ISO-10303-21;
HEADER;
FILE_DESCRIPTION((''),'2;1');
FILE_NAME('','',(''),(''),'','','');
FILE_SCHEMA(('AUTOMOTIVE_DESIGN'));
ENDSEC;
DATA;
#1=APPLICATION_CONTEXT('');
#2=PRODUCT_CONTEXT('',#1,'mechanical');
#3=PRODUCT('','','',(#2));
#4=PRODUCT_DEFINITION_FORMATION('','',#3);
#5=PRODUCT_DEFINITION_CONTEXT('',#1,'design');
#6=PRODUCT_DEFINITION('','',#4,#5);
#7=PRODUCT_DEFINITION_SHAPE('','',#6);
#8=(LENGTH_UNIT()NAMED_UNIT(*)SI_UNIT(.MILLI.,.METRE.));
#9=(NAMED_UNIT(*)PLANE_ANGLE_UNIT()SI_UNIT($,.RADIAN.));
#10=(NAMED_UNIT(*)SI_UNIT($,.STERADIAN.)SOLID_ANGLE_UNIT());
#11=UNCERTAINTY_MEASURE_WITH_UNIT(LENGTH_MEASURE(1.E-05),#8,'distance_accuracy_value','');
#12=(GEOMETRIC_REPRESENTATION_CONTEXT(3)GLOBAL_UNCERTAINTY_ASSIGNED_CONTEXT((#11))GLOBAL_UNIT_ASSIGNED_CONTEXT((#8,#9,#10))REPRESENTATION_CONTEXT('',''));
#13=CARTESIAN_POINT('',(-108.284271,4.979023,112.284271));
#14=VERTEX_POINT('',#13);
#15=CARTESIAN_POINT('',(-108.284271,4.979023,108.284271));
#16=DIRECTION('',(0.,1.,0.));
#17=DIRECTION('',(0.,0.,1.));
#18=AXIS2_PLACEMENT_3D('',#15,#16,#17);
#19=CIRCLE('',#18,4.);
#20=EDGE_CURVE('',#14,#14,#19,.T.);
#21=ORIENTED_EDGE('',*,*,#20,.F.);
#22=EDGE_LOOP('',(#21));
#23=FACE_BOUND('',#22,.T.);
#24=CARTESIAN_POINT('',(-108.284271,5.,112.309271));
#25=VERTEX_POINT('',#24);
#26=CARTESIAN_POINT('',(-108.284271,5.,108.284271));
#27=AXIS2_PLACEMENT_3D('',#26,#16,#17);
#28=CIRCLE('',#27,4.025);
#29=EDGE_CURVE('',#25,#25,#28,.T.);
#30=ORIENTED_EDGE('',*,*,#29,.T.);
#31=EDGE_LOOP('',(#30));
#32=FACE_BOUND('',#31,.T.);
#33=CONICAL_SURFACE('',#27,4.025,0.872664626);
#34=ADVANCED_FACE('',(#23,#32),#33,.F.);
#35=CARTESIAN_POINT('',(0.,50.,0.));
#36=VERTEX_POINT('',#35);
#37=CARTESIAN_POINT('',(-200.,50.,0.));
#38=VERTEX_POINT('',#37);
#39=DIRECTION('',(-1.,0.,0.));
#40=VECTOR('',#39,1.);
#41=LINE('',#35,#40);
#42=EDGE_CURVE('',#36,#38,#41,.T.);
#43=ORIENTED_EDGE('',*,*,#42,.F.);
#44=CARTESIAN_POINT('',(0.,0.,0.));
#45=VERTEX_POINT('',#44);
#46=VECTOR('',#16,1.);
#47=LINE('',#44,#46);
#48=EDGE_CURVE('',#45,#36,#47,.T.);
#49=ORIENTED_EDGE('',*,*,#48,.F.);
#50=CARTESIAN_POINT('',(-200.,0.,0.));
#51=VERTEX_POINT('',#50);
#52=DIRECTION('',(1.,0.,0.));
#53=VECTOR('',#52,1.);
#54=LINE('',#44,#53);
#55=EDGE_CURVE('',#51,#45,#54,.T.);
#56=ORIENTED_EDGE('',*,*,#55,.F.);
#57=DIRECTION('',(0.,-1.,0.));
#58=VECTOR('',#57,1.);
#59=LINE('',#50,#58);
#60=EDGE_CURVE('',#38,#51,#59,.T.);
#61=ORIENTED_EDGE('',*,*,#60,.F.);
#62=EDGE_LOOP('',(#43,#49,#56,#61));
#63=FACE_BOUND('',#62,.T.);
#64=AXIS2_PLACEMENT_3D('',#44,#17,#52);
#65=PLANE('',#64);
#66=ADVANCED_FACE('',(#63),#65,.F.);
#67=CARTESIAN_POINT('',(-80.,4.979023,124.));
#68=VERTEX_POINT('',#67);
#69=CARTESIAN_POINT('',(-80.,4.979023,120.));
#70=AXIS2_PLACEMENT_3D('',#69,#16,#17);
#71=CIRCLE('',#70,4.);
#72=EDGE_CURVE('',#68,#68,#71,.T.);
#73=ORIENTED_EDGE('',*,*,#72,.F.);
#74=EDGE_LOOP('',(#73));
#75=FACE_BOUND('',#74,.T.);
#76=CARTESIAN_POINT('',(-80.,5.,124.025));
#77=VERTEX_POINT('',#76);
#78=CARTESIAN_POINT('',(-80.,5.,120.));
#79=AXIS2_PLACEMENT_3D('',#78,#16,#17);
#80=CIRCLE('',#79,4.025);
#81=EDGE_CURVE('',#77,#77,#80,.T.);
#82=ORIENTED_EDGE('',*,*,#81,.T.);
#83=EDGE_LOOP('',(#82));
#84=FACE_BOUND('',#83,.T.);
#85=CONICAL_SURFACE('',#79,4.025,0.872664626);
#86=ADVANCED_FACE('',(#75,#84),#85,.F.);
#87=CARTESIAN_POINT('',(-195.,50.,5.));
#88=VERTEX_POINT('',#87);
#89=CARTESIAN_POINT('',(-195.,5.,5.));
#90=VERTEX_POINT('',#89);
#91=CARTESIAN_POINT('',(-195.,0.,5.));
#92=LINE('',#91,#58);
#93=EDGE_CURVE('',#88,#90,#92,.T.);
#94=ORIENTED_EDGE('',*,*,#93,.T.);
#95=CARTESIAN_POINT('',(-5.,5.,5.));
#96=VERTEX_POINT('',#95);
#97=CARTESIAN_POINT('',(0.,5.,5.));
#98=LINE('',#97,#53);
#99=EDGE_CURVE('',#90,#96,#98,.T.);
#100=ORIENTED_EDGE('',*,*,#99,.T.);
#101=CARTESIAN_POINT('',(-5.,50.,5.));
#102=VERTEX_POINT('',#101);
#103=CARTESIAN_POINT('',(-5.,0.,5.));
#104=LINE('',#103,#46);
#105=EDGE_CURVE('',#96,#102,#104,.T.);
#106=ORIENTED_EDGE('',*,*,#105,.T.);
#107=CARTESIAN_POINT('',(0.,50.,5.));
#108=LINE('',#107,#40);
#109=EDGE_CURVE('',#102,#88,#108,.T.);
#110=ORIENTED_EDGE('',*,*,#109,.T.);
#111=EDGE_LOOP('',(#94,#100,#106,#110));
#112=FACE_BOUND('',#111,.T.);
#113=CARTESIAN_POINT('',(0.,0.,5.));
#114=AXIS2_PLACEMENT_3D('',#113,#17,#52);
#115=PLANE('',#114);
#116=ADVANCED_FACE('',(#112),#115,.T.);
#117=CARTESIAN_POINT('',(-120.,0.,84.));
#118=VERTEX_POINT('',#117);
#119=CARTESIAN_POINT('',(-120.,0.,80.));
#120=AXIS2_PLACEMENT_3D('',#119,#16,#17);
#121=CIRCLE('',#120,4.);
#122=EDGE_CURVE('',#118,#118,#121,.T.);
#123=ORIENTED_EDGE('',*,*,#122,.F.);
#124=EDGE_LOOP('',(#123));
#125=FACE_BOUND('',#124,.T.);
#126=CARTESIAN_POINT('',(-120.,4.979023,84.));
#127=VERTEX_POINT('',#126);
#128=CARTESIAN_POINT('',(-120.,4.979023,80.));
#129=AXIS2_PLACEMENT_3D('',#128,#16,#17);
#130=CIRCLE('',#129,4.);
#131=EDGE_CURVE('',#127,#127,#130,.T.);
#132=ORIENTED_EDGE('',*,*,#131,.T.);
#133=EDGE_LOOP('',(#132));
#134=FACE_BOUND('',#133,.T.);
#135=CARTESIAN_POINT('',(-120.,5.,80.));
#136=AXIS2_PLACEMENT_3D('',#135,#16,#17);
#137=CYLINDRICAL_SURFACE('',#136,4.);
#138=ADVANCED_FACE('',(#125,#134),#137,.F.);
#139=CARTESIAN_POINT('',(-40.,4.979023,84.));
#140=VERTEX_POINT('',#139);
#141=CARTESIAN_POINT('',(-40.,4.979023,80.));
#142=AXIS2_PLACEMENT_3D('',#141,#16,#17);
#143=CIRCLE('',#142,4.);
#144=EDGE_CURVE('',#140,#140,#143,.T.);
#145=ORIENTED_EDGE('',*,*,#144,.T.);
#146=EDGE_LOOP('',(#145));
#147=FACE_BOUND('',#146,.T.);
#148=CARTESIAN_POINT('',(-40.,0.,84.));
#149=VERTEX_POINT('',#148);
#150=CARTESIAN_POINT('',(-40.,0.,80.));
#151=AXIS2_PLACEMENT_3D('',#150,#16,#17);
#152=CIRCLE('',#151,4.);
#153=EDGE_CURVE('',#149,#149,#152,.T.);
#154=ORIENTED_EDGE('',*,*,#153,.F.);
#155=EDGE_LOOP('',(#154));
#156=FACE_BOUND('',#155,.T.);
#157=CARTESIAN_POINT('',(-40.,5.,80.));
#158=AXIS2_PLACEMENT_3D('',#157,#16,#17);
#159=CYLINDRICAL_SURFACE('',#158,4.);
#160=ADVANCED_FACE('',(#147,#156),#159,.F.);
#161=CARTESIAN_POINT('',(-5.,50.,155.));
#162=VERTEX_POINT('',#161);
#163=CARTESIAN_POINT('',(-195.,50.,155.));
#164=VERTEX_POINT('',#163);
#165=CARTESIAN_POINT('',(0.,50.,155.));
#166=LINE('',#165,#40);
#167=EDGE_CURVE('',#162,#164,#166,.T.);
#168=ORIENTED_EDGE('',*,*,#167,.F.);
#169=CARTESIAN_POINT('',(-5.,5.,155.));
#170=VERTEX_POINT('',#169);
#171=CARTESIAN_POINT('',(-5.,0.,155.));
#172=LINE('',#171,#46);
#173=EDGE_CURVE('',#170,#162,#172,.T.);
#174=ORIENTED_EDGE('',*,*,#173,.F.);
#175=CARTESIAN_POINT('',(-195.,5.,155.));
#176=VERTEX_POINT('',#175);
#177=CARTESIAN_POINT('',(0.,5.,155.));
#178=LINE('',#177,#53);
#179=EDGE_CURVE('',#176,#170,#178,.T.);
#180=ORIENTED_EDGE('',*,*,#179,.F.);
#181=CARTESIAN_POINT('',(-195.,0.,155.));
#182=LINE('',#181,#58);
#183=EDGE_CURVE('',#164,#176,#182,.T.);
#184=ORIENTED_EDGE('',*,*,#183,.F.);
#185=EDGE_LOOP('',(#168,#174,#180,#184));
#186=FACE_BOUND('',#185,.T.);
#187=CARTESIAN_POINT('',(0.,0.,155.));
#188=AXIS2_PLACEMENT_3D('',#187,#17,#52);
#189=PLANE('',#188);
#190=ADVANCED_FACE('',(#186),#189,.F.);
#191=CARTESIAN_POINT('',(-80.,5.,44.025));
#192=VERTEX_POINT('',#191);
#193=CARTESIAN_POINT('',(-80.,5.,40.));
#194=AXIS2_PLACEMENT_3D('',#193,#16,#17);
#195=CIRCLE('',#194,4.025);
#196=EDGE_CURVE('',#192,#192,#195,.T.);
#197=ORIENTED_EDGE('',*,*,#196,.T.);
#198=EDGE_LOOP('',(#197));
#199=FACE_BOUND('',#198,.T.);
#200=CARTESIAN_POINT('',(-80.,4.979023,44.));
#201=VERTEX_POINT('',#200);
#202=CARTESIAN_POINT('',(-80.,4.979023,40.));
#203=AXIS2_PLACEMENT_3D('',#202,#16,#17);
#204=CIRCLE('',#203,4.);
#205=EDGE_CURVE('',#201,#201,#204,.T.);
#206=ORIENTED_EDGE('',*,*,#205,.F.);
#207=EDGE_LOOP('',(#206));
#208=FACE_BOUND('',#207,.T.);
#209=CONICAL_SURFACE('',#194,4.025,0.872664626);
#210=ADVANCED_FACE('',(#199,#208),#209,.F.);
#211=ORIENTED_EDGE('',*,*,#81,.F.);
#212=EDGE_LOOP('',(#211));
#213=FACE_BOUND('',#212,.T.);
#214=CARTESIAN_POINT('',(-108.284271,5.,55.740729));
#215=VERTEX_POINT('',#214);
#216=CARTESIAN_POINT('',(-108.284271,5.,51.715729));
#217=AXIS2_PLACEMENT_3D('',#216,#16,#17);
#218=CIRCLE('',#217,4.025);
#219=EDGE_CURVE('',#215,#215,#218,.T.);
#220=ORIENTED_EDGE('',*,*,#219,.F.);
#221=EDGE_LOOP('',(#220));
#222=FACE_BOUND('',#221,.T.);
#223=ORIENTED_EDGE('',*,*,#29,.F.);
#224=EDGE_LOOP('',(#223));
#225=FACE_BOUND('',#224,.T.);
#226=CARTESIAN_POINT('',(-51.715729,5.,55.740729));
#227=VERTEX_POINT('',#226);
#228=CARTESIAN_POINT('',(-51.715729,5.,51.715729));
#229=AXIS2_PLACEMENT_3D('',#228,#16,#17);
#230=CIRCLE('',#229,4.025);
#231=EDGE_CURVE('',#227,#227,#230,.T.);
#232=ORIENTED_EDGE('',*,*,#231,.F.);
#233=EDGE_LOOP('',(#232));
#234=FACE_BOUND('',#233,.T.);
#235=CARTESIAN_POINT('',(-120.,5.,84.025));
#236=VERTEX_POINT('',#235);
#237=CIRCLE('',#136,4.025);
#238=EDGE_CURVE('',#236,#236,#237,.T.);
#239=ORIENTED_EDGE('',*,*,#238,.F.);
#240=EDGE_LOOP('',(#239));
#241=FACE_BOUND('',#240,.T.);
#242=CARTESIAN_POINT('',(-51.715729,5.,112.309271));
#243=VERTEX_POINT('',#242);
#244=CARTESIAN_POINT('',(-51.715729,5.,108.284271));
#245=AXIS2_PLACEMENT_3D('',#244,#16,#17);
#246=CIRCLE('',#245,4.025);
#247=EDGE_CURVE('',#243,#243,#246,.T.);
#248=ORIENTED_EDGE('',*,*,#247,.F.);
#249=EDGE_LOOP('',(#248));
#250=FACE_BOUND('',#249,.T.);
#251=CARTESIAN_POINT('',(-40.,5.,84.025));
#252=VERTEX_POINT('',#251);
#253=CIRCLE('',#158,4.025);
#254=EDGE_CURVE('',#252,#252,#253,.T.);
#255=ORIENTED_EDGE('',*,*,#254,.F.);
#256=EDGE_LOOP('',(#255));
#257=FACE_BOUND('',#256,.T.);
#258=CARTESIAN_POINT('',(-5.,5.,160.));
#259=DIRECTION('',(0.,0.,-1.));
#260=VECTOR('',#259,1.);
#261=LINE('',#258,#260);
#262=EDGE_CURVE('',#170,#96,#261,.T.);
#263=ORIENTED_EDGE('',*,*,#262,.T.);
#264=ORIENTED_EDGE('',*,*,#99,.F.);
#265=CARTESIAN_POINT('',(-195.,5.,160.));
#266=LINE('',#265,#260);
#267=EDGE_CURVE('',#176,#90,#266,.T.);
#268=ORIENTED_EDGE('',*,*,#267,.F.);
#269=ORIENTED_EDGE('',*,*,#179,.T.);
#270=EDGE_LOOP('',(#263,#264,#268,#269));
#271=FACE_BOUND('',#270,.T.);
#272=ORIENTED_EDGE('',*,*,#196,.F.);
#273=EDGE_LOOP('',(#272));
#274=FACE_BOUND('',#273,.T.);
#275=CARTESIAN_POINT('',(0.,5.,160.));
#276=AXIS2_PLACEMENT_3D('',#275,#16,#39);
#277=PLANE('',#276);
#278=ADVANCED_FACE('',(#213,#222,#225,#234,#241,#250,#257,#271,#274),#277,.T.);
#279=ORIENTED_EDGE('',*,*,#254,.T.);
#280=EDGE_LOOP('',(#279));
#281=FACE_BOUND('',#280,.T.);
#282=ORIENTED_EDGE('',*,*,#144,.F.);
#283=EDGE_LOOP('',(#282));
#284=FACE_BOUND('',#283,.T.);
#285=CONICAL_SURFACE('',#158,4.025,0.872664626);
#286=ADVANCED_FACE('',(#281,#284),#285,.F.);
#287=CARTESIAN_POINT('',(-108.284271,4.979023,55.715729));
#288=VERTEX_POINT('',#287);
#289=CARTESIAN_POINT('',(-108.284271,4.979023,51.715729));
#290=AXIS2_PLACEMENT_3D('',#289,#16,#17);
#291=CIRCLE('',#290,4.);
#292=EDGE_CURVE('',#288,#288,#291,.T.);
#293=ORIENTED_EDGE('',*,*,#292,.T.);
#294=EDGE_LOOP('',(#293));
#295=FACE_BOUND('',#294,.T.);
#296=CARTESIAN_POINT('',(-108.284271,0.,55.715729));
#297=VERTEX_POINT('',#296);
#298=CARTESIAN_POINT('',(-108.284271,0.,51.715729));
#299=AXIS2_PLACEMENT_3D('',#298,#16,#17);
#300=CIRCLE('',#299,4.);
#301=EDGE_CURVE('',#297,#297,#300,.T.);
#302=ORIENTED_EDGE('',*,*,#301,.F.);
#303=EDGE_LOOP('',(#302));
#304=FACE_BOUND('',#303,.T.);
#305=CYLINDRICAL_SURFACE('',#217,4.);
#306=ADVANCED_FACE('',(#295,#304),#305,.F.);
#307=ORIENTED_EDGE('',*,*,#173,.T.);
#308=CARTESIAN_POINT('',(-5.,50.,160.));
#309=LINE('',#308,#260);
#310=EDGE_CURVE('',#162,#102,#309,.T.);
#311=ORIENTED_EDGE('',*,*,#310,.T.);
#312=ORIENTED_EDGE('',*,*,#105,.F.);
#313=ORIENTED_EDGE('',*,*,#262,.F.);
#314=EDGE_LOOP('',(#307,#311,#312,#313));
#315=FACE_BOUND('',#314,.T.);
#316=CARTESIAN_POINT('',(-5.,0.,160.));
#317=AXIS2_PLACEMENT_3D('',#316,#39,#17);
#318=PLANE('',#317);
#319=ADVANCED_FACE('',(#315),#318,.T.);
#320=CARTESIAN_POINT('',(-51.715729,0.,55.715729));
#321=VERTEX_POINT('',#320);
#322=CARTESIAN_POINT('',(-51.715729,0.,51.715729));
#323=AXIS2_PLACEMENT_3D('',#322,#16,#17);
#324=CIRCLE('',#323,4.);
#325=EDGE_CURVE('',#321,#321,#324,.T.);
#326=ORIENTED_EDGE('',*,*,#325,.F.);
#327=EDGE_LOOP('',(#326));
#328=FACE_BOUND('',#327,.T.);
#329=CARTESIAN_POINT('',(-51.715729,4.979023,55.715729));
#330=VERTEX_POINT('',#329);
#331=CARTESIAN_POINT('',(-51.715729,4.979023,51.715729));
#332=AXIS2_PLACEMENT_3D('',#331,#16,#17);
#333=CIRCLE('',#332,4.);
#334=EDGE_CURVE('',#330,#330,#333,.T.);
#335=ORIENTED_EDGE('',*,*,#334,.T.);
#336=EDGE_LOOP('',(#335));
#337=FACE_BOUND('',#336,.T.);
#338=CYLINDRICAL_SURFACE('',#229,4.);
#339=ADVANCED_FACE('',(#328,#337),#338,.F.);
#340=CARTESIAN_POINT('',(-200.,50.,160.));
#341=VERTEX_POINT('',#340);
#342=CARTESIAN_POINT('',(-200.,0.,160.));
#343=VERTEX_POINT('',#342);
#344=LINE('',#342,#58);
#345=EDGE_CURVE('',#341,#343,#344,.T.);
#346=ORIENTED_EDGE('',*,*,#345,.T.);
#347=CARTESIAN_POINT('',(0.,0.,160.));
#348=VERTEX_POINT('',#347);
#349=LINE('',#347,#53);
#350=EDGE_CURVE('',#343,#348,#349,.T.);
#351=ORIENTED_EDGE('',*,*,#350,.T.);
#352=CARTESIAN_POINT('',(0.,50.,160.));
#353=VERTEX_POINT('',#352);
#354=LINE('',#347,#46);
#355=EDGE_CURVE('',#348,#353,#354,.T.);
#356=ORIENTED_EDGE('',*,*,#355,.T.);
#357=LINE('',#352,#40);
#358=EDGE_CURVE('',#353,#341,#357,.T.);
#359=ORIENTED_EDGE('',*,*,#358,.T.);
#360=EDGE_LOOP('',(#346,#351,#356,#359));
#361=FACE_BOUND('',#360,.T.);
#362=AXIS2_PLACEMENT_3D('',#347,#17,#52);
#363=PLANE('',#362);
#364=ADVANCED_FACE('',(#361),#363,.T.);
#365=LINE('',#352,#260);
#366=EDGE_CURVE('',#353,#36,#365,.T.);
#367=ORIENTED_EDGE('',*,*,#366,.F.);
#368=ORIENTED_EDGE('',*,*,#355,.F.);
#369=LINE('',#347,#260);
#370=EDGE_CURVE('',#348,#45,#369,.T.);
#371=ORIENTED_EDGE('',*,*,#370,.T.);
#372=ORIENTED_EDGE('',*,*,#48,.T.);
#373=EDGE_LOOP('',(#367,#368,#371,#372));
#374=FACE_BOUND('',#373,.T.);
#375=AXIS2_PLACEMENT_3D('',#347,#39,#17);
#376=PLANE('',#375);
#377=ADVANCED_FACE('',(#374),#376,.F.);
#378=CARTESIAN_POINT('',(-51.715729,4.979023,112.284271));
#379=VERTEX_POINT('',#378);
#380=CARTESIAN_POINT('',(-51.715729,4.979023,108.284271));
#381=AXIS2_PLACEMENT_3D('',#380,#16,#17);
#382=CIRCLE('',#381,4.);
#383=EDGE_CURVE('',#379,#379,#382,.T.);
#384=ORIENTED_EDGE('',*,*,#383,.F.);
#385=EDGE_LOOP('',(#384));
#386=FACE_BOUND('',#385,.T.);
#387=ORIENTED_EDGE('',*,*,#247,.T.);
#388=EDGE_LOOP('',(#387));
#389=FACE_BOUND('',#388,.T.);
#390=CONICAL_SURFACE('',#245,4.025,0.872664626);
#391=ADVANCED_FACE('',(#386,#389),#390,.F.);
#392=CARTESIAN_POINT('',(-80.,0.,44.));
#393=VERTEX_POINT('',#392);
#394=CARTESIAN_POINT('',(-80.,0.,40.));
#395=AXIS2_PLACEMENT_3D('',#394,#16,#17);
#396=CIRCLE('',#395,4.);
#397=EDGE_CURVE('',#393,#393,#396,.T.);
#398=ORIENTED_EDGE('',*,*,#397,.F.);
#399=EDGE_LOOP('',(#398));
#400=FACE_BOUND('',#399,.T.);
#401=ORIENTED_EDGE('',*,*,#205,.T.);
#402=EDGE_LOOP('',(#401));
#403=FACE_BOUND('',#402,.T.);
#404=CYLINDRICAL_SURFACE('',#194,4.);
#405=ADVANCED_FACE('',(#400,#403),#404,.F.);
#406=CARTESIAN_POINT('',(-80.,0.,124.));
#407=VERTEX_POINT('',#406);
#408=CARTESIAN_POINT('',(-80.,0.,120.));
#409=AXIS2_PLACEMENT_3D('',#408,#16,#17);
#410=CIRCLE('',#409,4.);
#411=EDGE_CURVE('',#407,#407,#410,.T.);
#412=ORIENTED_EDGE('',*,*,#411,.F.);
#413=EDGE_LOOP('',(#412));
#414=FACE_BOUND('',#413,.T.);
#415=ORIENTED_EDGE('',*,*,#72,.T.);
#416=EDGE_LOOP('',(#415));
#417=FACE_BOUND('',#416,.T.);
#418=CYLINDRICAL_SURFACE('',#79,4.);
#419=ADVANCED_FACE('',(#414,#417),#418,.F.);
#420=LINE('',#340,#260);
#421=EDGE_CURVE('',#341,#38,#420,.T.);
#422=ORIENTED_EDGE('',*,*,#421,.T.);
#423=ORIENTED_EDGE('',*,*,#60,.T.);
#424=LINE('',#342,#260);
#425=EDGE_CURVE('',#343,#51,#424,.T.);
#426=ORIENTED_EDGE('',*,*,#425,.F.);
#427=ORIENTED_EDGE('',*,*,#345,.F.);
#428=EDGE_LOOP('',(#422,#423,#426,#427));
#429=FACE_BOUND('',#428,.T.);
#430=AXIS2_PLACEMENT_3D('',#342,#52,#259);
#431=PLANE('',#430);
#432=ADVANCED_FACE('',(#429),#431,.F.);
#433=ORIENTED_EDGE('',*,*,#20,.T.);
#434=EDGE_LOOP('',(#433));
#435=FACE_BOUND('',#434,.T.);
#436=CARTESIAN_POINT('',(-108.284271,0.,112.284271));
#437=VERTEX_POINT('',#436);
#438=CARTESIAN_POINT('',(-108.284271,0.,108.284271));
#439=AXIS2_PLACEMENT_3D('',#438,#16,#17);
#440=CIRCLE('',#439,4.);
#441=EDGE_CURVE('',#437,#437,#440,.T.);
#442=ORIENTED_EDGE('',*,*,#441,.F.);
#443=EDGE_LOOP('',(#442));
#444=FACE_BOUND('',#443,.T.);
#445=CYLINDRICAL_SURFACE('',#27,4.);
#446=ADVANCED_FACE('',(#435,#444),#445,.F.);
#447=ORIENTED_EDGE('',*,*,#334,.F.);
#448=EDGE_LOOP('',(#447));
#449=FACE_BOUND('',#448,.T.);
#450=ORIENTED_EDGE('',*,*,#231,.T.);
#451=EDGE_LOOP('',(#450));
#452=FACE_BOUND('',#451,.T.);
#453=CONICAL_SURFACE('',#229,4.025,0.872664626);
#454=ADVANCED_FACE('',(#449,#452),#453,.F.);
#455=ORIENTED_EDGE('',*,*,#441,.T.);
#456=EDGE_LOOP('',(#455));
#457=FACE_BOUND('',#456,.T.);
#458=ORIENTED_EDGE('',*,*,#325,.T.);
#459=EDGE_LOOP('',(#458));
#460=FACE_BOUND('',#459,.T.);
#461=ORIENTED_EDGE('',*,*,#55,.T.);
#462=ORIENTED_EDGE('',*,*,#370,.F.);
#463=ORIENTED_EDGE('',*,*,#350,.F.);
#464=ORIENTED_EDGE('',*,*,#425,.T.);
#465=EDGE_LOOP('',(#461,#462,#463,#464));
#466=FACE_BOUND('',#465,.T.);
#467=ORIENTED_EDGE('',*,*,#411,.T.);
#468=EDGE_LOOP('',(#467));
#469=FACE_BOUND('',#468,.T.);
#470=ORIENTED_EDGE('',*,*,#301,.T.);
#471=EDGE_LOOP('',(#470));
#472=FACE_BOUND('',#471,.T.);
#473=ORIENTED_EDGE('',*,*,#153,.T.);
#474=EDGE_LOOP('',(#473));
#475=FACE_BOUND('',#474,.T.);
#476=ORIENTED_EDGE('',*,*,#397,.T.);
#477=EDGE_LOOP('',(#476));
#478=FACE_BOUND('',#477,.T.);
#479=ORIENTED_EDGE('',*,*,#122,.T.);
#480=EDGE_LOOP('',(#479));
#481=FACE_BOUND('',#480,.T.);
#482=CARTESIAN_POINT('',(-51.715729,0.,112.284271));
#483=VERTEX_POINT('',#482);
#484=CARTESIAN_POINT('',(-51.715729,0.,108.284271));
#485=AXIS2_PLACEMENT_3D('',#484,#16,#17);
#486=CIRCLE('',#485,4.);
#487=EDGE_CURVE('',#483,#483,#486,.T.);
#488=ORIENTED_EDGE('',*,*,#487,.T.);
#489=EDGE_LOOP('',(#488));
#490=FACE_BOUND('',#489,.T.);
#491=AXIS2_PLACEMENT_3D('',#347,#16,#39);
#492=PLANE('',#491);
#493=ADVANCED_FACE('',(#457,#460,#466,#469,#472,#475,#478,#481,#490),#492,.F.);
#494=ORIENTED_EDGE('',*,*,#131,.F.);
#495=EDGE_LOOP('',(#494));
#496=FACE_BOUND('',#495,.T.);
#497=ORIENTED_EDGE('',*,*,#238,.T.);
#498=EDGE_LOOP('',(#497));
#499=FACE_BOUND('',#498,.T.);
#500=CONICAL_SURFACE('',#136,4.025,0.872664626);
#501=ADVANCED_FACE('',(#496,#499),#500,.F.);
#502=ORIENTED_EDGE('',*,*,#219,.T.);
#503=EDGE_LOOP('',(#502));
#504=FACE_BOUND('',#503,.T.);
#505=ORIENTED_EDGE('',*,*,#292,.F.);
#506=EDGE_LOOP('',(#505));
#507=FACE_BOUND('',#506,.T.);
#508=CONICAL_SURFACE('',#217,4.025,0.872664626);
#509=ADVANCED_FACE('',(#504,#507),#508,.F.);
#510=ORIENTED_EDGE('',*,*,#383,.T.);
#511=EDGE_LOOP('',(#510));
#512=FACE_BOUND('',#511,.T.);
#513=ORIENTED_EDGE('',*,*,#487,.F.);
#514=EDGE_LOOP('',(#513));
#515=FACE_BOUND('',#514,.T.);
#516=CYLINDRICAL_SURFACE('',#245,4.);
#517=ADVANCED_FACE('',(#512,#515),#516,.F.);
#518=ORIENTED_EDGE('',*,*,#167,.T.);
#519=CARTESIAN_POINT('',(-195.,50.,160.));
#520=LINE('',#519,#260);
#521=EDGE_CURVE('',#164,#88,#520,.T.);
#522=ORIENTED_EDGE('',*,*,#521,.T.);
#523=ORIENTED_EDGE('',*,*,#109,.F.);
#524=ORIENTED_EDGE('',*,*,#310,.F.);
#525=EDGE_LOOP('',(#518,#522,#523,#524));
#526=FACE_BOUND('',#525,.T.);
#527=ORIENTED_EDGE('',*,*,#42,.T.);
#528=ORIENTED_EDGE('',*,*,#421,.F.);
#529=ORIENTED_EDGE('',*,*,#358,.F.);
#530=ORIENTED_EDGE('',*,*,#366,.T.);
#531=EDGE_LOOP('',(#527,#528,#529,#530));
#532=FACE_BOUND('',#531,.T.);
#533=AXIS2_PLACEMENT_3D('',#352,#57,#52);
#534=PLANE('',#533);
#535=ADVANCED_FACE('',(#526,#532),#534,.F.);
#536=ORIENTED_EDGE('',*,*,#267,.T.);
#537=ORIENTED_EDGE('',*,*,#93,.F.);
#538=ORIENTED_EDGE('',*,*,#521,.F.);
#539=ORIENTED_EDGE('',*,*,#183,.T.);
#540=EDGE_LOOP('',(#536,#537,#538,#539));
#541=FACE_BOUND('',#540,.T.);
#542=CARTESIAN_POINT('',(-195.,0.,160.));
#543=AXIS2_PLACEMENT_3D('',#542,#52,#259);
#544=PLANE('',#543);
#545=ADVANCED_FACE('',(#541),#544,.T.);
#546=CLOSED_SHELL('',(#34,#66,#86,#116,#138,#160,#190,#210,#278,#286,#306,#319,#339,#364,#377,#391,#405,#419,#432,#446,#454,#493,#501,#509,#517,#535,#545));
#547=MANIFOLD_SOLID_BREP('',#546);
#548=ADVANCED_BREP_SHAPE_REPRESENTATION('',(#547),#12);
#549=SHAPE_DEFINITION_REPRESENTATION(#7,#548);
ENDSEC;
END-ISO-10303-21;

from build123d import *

# Parameters (mm, degrees)
SKETCH_2_W               = 200
SKETCH_2_H               = 50
EXTRUDE_1_DEPTH          = 160
SHELL_1_T                = -5
M8X1_0_1_D               = 8
M8X1_0_1_CSINK_D         = 8.05
M8X1_0_1_CSINK_ANGLE     = 100
PATTERN_CIRCULAR_1_COUNT = 8


with BuildPart() as part:
    # 草图2 → 凸台-拉伸1 (new body)
    with BuildSketch(Plane.XY):
        with Locations((-100, 25)):
            Rectangle(SKETCH_2_W, SKETCH_2_H)
    extrude(amount=EXTRUDE_1_DEPTH)

    # 抽壳1
    shell_1_openings = [part.faces().sort_by_distance(p)[0] for p in [
        (-100, 50, 80),
    ]]
    offset(amount=SHELL_1_T, openings=shell_1_openings, kind=Kind.INTERSECTION)

    # M8x1.0 螺纹孔1 (through all)
    with Locations(Plane(origin=(0, 5, 0), x_dir=(1, 0, 0), z_dir=(0, 1, 0))):
        with Locations((-80, -40)):
            m8x1_0_1 = CounterSinkHole(M8X1_0_1_D / 2, M8X1_0_1_CSINK_D / 2, counter_sink_angle=M8X1_0_1_CSINK_ANGLE)

    # 阵列(圆周)1: M8x1.0 螺纹孔1 ×8 about axis
    pattern_circular_1_axis = Axis((-80, 0, 80), (0, 1, 0))
    for i in range(1, PATTERN_CIRCULAR_1_COUNT):
        add(m8x1_0_1.rotate(pattern_circular_1_axis, i * 360 / PATTERN_CIRCULAR_1_COUNT), mode=Mode.SUBTRACT)


solid = part.part
